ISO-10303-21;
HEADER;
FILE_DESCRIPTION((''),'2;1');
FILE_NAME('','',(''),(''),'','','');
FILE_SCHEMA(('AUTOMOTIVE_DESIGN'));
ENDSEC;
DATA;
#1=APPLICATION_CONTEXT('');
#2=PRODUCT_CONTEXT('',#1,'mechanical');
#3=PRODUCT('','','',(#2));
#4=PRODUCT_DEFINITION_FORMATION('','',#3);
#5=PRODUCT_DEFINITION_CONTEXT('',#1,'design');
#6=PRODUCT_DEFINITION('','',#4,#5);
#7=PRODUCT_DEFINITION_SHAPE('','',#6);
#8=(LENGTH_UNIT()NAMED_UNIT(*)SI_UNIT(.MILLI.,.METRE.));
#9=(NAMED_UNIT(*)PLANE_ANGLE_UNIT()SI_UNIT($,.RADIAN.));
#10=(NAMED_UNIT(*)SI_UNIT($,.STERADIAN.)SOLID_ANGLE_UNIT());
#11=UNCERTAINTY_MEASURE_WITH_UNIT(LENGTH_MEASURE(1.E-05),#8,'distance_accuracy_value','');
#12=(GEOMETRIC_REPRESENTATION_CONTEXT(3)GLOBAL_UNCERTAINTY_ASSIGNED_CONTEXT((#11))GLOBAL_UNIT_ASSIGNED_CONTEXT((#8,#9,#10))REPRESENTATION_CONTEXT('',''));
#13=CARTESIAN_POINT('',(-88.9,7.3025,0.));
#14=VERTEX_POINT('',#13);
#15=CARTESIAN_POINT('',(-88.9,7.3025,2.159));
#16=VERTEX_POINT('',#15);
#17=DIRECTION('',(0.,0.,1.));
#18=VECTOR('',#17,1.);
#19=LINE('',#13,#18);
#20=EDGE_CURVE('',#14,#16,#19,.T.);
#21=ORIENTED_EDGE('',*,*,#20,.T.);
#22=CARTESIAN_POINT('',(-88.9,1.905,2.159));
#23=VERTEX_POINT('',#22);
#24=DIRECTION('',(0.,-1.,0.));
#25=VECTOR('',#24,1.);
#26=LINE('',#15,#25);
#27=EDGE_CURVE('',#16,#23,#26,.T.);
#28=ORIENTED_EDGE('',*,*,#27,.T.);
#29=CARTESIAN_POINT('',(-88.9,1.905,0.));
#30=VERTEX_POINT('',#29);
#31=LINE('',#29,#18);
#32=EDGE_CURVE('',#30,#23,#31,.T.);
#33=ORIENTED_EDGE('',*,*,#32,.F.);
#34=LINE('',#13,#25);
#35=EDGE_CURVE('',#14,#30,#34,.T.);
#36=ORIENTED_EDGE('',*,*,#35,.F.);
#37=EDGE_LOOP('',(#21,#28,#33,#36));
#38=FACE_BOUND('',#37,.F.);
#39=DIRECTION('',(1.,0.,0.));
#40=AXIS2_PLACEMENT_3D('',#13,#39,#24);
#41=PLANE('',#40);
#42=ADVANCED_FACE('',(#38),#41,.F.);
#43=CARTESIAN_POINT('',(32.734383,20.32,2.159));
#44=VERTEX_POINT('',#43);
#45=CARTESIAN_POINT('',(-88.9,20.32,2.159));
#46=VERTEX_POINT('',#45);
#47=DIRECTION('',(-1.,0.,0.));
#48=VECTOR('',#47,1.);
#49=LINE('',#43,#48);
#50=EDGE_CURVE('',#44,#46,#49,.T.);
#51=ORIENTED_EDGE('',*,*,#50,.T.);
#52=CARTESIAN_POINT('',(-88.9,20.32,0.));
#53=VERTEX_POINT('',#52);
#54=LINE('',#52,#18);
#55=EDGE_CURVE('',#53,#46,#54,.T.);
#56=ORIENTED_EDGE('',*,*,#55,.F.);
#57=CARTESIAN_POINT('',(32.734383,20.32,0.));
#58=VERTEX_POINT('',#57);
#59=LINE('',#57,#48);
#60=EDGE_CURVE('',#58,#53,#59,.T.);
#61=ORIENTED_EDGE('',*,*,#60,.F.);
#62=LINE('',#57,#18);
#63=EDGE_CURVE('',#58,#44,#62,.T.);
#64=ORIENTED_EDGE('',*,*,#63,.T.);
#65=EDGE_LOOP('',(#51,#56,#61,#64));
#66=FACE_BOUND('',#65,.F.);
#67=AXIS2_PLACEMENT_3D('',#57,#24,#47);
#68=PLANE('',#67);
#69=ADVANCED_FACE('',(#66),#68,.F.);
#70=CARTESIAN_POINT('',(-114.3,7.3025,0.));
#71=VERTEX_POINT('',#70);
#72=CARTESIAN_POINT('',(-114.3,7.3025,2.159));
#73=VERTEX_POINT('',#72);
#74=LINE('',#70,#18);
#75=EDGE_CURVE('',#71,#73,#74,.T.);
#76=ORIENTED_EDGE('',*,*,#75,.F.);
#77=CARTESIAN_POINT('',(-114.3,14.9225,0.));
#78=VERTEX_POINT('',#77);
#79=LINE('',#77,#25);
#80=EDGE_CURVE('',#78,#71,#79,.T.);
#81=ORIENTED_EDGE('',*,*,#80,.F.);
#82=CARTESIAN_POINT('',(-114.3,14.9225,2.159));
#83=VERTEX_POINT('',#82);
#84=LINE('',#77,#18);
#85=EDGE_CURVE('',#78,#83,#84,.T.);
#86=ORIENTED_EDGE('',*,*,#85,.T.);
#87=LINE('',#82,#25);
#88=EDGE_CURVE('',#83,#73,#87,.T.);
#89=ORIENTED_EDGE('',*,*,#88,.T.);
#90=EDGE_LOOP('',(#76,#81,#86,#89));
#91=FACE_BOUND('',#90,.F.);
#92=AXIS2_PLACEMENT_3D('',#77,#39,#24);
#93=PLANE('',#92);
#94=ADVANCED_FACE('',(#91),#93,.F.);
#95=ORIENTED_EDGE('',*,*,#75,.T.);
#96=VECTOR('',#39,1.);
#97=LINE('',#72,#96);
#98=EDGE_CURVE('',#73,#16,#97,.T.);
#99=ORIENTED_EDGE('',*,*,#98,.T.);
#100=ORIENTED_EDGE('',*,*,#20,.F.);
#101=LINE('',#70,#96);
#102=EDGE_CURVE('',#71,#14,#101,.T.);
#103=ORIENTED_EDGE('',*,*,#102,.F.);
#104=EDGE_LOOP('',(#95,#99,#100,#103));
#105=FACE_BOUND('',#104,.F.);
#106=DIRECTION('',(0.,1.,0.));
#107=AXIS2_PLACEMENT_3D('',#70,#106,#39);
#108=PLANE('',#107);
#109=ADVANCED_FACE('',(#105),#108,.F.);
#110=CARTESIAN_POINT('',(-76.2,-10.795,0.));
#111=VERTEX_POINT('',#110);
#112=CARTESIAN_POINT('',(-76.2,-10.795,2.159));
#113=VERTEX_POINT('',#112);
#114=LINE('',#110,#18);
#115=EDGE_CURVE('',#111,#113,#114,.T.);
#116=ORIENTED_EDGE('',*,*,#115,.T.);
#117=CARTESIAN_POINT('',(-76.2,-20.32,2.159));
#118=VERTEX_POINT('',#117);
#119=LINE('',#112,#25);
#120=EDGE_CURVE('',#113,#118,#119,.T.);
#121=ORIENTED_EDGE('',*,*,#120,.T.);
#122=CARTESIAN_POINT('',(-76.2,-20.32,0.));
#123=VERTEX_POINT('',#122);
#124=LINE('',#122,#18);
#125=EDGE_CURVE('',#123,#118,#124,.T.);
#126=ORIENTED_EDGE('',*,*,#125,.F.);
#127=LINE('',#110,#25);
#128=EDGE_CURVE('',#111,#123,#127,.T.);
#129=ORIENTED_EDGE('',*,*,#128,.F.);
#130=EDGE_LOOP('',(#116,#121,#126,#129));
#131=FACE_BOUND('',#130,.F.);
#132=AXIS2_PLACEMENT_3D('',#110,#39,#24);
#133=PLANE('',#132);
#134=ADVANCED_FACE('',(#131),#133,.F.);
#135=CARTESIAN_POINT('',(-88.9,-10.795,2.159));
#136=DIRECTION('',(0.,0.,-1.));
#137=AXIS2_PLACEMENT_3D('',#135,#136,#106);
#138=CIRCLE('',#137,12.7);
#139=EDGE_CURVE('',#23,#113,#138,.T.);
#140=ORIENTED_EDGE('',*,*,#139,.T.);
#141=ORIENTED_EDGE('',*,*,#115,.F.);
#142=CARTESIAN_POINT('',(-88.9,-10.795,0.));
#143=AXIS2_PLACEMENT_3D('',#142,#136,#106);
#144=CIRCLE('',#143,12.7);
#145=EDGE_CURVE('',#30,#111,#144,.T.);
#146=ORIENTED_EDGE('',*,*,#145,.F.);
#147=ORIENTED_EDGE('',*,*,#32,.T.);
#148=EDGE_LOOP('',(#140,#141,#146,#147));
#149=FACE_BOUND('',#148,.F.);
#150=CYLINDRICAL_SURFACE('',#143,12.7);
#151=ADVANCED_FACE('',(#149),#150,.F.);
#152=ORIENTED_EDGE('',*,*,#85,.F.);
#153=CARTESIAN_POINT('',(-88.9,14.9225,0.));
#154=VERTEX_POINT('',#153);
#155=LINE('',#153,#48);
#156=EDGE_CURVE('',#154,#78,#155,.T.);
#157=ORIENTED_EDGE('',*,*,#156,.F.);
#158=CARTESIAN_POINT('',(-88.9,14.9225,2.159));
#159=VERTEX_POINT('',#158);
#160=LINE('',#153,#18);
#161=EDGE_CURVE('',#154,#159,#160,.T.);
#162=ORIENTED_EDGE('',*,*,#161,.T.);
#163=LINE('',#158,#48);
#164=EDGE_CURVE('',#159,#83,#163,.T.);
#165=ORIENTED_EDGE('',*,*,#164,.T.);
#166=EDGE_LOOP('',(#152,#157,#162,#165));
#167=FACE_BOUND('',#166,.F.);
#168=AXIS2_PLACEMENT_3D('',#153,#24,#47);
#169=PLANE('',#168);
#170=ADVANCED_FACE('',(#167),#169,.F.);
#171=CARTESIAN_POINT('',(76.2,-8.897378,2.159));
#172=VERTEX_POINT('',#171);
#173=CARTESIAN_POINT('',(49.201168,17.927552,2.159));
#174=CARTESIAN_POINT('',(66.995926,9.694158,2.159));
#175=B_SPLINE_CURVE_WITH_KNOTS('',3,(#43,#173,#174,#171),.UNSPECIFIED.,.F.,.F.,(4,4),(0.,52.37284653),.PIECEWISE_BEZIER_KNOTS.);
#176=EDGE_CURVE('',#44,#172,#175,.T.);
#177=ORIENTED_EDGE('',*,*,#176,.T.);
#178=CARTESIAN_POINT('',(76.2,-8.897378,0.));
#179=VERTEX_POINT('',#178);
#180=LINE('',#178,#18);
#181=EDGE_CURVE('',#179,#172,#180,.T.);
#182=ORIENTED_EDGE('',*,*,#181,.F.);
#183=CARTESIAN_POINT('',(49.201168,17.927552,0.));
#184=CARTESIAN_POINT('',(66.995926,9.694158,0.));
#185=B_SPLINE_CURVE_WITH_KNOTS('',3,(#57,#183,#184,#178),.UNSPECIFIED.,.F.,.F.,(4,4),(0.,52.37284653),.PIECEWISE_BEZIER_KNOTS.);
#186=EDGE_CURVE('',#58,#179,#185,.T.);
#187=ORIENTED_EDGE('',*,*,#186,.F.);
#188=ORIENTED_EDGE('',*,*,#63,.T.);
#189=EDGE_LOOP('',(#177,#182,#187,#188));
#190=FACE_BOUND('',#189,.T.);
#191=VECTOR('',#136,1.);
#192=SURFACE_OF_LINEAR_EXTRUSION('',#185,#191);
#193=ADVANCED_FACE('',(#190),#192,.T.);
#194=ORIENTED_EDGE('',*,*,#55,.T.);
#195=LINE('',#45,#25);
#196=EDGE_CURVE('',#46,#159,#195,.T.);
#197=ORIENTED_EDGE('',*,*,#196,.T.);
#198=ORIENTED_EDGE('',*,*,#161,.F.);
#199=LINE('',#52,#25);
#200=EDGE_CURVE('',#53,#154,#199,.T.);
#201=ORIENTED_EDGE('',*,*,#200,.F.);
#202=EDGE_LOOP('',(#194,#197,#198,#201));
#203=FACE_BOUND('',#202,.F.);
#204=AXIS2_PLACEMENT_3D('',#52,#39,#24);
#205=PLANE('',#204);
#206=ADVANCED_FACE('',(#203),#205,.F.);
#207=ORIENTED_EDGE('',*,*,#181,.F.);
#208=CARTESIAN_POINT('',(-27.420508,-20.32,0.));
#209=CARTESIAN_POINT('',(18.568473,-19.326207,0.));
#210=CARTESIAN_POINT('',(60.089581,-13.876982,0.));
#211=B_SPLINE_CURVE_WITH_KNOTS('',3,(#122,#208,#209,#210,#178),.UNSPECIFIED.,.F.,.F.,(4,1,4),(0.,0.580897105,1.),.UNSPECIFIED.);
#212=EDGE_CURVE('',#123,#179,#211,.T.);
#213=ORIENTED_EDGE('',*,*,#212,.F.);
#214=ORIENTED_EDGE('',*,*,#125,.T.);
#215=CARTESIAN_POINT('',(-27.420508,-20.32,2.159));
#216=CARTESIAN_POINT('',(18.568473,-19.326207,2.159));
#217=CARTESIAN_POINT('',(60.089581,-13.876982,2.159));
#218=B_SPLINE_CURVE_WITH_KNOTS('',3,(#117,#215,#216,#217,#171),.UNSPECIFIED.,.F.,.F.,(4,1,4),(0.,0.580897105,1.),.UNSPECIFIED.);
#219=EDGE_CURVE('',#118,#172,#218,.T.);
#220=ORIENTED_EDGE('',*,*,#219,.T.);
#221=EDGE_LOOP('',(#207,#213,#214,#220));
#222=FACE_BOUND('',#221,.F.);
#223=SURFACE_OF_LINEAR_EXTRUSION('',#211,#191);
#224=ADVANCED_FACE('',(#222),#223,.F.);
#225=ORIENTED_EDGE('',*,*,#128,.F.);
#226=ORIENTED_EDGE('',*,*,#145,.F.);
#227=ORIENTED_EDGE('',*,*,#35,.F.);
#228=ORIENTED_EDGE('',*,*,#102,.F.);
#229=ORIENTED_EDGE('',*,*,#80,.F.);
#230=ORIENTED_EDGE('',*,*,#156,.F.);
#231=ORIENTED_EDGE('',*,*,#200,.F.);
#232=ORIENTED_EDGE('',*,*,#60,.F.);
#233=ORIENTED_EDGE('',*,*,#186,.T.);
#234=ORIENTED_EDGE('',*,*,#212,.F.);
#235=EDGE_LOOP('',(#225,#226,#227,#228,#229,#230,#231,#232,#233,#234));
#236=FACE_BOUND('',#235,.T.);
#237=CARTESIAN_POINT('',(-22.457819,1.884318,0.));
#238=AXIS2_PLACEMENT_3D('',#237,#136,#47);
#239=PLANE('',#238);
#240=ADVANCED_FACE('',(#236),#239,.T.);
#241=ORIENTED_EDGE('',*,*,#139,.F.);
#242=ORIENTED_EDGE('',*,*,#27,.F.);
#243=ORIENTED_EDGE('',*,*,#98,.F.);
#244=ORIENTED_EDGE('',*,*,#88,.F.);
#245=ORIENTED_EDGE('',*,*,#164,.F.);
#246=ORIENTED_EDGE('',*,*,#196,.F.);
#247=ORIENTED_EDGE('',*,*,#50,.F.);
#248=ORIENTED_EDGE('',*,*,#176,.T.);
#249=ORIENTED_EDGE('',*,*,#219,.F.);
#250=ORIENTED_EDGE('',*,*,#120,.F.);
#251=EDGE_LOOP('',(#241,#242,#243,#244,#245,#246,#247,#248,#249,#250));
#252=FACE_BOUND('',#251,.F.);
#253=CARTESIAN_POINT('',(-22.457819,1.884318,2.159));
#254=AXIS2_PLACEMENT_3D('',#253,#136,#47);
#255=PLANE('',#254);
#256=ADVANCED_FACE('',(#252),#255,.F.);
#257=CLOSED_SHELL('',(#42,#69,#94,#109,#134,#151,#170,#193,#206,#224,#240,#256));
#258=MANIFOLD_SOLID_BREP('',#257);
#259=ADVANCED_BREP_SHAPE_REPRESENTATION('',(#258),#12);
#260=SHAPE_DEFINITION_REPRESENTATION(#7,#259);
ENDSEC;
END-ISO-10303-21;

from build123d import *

# Parameters (mm, degrees)
F1_DEPTH = 2.159


with BuildPart() as f1:
    # F0 (on Top) → F1 (new body)
    with BuildSketch(Plane.XY):
        with BuildLine():
            add(Edge.make_bspline(
                [(32.7343828976, 20.32), (49.2011681199, 17.9275516421), (66.9959262013, 9.6941580996), (76.2, -8.8973781094)],
                knots=[0, 0, 0, 0, 52.3728465302, 52.3728465302, 52.3728465302, 52.3728465302], degree=3))
            Line((32.7343828976, 20.32), (-76.2, 20.32))
            Line((-76.2, 20.32), (-88.9, 20.32))
            Line((-88.9, 20.32), (-88.9, 14.9225))
            Line((-88.9, 14.9225), (-114.3, 14.9225))
            Line((-114.3, 14.9225), (-114.3, 7.3025))
            Line((-114.3, 7.3025), (-88.9, 7.3025))
            Line((-88.9, 7.3025), (-88.9, 1.905))
            ThreePointArc((-88.9, 1.905), (-79.9197438789, -1.8147438789), (-76.2, -10.795))
            Line((-76.2, -10.795), (-76.2, -20.32))
            add(Edge.make_bspline(
                [(-76.2, -20.32), (-27.4205083204, -20.32), (18.5684725391, -19.3262068454), (60.0895812138, -13.8769824012), (76.2, -8.8973781094)],
                knots=[0, 0, 0, 0, 0.5808971053, 1, 1, 1, 1], degree=3))
        make_face()
    extrude(amount=F1_DEPTH)


solid = f1.part
